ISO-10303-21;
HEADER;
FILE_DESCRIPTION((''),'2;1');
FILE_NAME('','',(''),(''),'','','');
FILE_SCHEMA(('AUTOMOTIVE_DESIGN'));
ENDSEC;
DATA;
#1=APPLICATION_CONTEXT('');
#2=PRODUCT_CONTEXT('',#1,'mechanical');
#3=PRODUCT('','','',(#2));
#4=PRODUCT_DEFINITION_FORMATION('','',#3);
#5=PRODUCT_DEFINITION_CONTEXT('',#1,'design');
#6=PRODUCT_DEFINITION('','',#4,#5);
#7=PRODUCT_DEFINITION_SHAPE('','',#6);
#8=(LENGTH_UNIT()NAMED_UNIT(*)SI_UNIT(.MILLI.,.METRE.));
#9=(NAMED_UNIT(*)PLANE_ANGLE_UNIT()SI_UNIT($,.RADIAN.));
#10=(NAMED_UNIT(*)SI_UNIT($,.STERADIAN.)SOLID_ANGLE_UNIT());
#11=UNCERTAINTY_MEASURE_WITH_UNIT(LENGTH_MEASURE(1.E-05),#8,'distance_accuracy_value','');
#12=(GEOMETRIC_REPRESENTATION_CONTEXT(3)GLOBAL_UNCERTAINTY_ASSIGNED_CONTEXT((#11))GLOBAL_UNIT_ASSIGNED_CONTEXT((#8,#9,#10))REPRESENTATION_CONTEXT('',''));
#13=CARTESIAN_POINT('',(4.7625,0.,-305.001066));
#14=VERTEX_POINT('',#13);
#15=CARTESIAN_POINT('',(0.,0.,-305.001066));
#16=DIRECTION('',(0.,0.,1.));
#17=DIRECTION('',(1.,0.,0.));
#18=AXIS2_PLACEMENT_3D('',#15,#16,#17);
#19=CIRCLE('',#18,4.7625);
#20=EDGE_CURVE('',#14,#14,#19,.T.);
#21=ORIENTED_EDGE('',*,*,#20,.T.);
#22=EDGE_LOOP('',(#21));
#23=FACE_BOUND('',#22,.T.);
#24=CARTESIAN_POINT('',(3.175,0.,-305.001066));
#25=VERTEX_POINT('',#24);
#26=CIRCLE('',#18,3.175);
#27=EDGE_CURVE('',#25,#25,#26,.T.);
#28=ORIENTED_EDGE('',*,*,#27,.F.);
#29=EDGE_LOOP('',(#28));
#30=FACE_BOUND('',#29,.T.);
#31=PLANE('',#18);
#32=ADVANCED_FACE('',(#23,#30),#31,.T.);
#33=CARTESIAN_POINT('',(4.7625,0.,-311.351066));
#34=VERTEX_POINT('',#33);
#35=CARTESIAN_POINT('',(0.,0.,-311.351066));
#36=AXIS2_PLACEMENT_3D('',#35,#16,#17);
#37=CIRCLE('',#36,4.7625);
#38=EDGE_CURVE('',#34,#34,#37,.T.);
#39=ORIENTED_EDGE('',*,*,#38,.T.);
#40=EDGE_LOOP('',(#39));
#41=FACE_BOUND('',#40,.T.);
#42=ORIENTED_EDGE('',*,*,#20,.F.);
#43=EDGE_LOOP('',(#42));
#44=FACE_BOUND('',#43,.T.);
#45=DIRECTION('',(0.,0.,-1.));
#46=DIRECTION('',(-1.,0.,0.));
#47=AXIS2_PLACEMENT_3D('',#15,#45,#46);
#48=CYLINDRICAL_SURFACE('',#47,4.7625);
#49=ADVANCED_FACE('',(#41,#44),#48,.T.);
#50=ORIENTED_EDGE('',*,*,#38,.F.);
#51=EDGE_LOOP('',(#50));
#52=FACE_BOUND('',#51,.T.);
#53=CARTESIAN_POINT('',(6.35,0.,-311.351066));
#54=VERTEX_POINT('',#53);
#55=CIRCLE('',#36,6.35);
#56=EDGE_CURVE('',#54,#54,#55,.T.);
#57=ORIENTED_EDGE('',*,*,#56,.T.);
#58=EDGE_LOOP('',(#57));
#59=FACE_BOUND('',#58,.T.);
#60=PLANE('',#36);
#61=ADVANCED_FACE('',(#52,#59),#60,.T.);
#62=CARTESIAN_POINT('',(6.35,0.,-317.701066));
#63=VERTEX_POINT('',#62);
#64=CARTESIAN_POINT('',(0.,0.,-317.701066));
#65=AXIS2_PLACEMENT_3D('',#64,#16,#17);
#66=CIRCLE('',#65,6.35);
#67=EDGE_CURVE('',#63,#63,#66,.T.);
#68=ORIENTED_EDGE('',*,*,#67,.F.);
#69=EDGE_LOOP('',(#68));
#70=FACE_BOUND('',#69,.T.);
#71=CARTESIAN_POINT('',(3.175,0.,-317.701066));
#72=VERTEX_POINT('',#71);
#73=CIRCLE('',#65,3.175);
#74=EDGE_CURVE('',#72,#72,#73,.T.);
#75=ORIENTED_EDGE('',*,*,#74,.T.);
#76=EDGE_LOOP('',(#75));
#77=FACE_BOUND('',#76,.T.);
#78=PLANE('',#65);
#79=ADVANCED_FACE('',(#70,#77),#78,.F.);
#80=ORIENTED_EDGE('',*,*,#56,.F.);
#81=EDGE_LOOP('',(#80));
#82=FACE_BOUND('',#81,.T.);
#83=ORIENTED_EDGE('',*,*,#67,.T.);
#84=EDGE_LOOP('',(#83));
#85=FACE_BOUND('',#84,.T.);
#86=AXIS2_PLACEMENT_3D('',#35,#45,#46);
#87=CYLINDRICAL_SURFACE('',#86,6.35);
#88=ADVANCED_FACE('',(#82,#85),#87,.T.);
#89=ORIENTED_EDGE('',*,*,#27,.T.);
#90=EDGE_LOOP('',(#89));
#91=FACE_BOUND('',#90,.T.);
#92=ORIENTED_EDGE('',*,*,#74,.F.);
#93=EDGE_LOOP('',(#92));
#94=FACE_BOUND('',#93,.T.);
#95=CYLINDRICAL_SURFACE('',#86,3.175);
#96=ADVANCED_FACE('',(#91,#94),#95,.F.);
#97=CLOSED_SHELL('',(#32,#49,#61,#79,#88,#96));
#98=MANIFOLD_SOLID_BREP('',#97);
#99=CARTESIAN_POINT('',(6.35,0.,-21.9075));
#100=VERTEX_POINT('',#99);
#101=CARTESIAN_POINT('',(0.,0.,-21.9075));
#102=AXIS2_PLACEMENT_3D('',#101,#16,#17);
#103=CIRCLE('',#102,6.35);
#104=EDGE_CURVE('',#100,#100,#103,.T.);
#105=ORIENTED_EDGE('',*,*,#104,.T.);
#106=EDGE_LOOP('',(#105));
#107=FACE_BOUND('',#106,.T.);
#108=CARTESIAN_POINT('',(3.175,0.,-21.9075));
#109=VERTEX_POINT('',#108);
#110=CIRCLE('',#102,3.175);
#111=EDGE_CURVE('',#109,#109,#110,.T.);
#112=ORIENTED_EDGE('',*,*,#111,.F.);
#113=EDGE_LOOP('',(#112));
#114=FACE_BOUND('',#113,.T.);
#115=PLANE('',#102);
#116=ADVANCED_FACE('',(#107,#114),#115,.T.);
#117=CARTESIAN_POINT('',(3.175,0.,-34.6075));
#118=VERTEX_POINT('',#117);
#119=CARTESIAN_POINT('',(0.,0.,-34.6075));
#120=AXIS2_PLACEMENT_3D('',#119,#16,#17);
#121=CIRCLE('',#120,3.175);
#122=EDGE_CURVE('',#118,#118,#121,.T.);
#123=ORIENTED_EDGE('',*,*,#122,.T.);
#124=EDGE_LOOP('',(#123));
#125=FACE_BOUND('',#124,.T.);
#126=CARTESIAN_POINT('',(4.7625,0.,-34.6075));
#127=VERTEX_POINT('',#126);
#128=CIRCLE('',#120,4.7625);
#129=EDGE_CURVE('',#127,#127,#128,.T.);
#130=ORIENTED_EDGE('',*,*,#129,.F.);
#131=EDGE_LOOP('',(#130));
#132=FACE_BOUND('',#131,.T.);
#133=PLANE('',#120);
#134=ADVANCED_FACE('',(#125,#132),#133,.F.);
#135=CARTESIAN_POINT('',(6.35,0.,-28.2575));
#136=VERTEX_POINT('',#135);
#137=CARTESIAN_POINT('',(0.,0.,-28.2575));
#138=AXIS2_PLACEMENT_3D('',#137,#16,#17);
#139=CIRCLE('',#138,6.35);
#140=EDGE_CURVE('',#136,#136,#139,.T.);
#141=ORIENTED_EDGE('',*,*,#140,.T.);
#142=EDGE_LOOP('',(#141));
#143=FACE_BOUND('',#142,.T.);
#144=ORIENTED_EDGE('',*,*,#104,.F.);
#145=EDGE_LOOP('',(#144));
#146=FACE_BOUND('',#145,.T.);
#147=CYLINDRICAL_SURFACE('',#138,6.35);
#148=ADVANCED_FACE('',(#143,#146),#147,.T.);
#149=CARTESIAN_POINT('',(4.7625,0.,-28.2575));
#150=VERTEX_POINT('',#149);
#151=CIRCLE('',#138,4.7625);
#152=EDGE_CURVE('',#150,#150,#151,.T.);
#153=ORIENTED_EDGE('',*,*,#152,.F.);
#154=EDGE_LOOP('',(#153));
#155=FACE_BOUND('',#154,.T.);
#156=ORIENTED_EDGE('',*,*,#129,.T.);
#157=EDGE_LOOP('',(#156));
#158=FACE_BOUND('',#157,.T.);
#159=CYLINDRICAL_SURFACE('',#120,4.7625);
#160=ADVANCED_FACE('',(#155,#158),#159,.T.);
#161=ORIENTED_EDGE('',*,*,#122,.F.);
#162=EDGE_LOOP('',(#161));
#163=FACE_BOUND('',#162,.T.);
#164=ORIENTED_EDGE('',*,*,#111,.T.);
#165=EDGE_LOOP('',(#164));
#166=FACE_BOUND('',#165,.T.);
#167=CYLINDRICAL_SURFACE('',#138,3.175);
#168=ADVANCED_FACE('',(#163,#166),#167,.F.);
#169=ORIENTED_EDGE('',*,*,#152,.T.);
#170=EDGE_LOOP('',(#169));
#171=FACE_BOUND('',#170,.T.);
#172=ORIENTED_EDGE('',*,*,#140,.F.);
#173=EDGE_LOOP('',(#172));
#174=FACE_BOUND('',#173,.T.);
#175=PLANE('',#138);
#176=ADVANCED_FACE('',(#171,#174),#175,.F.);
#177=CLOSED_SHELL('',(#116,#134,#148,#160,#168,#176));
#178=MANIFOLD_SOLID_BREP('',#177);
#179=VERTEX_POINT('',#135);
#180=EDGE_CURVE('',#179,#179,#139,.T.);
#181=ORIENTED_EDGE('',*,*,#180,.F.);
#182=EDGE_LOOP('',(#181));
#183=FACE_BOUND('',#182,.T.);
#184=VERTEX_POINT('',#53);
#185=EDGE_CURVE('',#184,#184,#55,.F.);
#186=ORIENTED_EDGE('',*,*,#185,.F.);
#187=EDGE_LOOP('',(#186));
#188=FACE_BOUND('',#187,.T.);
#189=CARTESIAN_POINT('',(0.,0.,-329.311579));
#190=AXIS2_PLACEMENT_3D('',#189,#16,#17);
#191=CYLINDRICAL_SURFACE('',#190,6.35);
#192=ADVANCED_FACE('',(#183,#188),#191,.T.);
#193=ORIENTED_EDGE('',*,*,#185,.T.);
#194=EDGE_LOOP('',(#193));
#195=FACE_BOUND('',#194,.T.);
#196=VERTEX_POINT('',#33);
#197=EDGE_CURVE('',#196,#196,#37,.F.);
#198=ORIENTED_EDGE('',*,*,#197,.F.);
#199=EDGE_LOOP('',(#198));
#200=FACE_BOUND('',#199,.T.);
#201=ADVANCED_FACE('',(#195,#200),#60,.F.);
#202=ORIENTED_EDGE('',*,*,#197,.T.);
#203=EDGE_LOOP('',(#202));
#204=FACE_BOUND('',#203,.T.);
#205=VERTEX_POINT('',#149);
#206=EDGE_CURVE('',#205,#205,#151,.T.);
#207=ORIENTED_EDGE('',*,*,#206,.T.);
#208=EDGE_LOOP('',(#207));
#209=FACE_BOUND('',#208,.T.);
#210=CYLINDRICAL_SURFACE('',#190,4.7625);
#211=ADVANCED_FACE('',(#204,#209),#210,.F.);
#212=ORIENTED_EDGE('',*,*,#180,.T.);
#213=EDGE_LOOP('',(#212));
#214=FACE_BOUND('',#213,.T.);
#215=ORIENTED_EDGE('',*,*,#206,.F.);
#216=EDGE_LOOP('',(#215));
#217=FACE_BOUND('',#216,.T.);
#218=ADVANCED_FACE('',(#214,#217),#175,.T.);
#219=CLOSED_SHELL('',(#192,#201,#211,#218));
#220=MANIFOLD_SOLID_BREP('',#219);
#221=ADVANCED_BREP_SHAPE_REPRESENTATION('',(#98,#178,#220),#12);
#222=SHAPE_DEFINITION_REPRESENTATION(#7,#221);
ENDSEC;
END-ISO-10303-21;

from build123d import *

# Parameters (mm, degrees)
THREADED_START            = -21.9075
SKETCH2_R                 = 6.35
SKETCH2_R_2               = 4.7625
SKETCH2_R_3               = 3.175
THREADED_INSERT_1_1_DEPTH = 6.35
THREADED_START_2          = -28.2575
SKETCH2_5_R               = 4.7625
SKETCH2_5_R_2             = 3.175
THREADED_INSERT_1_2_DEPTH = 6.35
BOSS_EXTRUDE4_START       = -317.701066
SKETCH2_7_R               = 6.35
SKETCH2_7_R_2             = 4.7625
SKETCH2_7_R_3             = 3.175
BOSS_EXTRUDE4_DEPTH       = 6.35
BOSS_EXTRUDE5_START       = -305.001066
SKETCH2_8_R               = 4.7625
SKETCH2_8_R_2             = 3.175
BOSS_EXTRUDE5_DEPTH       = 6.35
BOSS_EXTRUDE6_START       = -28.2575
SKETCH2_9_R               = 6.35
SKETCH2_9_R_2             = 4.7625
BOSS_EXTRUDE6_DEPTH       = 283.0935664


with BuildPart() as part:
    # Sketch2 → Threaded Insert 1-1 (new body)
    # profile 1 of 2: a face of its own
    with BuildSketch(Plane.XY.offset(THREADED_START)):
        Circle(SKETCH2_R)
        Circle(SKETCH2_R_2, mode=Mode.SUBTRACT)
    # profile 2 of 2: a face of its own
    with BuildSketch(Plane.XY.offset(THREADED_START)):
        Circle(SKETCH2_R_2)
        Circle(SKETCH2_R_3, mode=Mode.SUBTRACT)
    extrude(amount=-THREADED_INSERT_1_1_DEPTH)

    # Sketch2<5> → Threaded Insert 1-2 (add)
    with BuildSketch(Plane.XY.offset(THREADED_START_2)):
        Circle(SKETCH2_5_R)
        Circle(SKETCH2_5_R_2, mode=Mode.SUBTRACT)
    extrude(amount=-THREADED_INSERT_1_2_DEPTH)


with BuildPart() as body_2:
    # Sketch2<7> → Boss-Extrude4 (new body)
    # profile 1 of 2: a face of its own
    with BuildSketch(Plane.XY.offset(BOSS_EXTRUDE4_START)):
        Circle(SKETCH2_7_R)
        Circle(SKETCH2_7_R_2, mode=Mode.SUBTRACT)
    # profile 2 of 2: a face of its own
    with BuildSketch(Plane.XY.offset(BOSS_EXTRUDE4_START)):
        Circle(SKETCH2_7_R_2)
        Circle(SKETCH2_7_R_3, mode=Mode.SUBTRACT)
    extrude(amount=BOSS_EXTRUDE4_DEPTH)

    # Sketch2<8> → Boss-Extrude5 (add)
    with BuildSketch(Plane.XY.offset(BOSS_EXTRUDE5_START)):
        Circle(SKETCH2_8_R)
        Circle(SKETCH2_8_R_2, mode=Mode.SUBTRACT)
    extrude(amount=-BOSS_EXTRUDE5_DEPTH)


with BuildPart() as body_3:
    # Sketch2<9> → Boss-Extrude6 (new body)
    with BuildSketch(Plane.XY.offset(BOSS_EXTRUDE6_START)):
        Circle(SKETCH2_9_R)
        Circle(SKETCH2_9_R_2, mode=Mode.SUBTRACT)
    extrude(amount=-BOSS_EXTRUDE6_DEPTH)


solid = Compound([part.part, body_2.part, body_3.part])
